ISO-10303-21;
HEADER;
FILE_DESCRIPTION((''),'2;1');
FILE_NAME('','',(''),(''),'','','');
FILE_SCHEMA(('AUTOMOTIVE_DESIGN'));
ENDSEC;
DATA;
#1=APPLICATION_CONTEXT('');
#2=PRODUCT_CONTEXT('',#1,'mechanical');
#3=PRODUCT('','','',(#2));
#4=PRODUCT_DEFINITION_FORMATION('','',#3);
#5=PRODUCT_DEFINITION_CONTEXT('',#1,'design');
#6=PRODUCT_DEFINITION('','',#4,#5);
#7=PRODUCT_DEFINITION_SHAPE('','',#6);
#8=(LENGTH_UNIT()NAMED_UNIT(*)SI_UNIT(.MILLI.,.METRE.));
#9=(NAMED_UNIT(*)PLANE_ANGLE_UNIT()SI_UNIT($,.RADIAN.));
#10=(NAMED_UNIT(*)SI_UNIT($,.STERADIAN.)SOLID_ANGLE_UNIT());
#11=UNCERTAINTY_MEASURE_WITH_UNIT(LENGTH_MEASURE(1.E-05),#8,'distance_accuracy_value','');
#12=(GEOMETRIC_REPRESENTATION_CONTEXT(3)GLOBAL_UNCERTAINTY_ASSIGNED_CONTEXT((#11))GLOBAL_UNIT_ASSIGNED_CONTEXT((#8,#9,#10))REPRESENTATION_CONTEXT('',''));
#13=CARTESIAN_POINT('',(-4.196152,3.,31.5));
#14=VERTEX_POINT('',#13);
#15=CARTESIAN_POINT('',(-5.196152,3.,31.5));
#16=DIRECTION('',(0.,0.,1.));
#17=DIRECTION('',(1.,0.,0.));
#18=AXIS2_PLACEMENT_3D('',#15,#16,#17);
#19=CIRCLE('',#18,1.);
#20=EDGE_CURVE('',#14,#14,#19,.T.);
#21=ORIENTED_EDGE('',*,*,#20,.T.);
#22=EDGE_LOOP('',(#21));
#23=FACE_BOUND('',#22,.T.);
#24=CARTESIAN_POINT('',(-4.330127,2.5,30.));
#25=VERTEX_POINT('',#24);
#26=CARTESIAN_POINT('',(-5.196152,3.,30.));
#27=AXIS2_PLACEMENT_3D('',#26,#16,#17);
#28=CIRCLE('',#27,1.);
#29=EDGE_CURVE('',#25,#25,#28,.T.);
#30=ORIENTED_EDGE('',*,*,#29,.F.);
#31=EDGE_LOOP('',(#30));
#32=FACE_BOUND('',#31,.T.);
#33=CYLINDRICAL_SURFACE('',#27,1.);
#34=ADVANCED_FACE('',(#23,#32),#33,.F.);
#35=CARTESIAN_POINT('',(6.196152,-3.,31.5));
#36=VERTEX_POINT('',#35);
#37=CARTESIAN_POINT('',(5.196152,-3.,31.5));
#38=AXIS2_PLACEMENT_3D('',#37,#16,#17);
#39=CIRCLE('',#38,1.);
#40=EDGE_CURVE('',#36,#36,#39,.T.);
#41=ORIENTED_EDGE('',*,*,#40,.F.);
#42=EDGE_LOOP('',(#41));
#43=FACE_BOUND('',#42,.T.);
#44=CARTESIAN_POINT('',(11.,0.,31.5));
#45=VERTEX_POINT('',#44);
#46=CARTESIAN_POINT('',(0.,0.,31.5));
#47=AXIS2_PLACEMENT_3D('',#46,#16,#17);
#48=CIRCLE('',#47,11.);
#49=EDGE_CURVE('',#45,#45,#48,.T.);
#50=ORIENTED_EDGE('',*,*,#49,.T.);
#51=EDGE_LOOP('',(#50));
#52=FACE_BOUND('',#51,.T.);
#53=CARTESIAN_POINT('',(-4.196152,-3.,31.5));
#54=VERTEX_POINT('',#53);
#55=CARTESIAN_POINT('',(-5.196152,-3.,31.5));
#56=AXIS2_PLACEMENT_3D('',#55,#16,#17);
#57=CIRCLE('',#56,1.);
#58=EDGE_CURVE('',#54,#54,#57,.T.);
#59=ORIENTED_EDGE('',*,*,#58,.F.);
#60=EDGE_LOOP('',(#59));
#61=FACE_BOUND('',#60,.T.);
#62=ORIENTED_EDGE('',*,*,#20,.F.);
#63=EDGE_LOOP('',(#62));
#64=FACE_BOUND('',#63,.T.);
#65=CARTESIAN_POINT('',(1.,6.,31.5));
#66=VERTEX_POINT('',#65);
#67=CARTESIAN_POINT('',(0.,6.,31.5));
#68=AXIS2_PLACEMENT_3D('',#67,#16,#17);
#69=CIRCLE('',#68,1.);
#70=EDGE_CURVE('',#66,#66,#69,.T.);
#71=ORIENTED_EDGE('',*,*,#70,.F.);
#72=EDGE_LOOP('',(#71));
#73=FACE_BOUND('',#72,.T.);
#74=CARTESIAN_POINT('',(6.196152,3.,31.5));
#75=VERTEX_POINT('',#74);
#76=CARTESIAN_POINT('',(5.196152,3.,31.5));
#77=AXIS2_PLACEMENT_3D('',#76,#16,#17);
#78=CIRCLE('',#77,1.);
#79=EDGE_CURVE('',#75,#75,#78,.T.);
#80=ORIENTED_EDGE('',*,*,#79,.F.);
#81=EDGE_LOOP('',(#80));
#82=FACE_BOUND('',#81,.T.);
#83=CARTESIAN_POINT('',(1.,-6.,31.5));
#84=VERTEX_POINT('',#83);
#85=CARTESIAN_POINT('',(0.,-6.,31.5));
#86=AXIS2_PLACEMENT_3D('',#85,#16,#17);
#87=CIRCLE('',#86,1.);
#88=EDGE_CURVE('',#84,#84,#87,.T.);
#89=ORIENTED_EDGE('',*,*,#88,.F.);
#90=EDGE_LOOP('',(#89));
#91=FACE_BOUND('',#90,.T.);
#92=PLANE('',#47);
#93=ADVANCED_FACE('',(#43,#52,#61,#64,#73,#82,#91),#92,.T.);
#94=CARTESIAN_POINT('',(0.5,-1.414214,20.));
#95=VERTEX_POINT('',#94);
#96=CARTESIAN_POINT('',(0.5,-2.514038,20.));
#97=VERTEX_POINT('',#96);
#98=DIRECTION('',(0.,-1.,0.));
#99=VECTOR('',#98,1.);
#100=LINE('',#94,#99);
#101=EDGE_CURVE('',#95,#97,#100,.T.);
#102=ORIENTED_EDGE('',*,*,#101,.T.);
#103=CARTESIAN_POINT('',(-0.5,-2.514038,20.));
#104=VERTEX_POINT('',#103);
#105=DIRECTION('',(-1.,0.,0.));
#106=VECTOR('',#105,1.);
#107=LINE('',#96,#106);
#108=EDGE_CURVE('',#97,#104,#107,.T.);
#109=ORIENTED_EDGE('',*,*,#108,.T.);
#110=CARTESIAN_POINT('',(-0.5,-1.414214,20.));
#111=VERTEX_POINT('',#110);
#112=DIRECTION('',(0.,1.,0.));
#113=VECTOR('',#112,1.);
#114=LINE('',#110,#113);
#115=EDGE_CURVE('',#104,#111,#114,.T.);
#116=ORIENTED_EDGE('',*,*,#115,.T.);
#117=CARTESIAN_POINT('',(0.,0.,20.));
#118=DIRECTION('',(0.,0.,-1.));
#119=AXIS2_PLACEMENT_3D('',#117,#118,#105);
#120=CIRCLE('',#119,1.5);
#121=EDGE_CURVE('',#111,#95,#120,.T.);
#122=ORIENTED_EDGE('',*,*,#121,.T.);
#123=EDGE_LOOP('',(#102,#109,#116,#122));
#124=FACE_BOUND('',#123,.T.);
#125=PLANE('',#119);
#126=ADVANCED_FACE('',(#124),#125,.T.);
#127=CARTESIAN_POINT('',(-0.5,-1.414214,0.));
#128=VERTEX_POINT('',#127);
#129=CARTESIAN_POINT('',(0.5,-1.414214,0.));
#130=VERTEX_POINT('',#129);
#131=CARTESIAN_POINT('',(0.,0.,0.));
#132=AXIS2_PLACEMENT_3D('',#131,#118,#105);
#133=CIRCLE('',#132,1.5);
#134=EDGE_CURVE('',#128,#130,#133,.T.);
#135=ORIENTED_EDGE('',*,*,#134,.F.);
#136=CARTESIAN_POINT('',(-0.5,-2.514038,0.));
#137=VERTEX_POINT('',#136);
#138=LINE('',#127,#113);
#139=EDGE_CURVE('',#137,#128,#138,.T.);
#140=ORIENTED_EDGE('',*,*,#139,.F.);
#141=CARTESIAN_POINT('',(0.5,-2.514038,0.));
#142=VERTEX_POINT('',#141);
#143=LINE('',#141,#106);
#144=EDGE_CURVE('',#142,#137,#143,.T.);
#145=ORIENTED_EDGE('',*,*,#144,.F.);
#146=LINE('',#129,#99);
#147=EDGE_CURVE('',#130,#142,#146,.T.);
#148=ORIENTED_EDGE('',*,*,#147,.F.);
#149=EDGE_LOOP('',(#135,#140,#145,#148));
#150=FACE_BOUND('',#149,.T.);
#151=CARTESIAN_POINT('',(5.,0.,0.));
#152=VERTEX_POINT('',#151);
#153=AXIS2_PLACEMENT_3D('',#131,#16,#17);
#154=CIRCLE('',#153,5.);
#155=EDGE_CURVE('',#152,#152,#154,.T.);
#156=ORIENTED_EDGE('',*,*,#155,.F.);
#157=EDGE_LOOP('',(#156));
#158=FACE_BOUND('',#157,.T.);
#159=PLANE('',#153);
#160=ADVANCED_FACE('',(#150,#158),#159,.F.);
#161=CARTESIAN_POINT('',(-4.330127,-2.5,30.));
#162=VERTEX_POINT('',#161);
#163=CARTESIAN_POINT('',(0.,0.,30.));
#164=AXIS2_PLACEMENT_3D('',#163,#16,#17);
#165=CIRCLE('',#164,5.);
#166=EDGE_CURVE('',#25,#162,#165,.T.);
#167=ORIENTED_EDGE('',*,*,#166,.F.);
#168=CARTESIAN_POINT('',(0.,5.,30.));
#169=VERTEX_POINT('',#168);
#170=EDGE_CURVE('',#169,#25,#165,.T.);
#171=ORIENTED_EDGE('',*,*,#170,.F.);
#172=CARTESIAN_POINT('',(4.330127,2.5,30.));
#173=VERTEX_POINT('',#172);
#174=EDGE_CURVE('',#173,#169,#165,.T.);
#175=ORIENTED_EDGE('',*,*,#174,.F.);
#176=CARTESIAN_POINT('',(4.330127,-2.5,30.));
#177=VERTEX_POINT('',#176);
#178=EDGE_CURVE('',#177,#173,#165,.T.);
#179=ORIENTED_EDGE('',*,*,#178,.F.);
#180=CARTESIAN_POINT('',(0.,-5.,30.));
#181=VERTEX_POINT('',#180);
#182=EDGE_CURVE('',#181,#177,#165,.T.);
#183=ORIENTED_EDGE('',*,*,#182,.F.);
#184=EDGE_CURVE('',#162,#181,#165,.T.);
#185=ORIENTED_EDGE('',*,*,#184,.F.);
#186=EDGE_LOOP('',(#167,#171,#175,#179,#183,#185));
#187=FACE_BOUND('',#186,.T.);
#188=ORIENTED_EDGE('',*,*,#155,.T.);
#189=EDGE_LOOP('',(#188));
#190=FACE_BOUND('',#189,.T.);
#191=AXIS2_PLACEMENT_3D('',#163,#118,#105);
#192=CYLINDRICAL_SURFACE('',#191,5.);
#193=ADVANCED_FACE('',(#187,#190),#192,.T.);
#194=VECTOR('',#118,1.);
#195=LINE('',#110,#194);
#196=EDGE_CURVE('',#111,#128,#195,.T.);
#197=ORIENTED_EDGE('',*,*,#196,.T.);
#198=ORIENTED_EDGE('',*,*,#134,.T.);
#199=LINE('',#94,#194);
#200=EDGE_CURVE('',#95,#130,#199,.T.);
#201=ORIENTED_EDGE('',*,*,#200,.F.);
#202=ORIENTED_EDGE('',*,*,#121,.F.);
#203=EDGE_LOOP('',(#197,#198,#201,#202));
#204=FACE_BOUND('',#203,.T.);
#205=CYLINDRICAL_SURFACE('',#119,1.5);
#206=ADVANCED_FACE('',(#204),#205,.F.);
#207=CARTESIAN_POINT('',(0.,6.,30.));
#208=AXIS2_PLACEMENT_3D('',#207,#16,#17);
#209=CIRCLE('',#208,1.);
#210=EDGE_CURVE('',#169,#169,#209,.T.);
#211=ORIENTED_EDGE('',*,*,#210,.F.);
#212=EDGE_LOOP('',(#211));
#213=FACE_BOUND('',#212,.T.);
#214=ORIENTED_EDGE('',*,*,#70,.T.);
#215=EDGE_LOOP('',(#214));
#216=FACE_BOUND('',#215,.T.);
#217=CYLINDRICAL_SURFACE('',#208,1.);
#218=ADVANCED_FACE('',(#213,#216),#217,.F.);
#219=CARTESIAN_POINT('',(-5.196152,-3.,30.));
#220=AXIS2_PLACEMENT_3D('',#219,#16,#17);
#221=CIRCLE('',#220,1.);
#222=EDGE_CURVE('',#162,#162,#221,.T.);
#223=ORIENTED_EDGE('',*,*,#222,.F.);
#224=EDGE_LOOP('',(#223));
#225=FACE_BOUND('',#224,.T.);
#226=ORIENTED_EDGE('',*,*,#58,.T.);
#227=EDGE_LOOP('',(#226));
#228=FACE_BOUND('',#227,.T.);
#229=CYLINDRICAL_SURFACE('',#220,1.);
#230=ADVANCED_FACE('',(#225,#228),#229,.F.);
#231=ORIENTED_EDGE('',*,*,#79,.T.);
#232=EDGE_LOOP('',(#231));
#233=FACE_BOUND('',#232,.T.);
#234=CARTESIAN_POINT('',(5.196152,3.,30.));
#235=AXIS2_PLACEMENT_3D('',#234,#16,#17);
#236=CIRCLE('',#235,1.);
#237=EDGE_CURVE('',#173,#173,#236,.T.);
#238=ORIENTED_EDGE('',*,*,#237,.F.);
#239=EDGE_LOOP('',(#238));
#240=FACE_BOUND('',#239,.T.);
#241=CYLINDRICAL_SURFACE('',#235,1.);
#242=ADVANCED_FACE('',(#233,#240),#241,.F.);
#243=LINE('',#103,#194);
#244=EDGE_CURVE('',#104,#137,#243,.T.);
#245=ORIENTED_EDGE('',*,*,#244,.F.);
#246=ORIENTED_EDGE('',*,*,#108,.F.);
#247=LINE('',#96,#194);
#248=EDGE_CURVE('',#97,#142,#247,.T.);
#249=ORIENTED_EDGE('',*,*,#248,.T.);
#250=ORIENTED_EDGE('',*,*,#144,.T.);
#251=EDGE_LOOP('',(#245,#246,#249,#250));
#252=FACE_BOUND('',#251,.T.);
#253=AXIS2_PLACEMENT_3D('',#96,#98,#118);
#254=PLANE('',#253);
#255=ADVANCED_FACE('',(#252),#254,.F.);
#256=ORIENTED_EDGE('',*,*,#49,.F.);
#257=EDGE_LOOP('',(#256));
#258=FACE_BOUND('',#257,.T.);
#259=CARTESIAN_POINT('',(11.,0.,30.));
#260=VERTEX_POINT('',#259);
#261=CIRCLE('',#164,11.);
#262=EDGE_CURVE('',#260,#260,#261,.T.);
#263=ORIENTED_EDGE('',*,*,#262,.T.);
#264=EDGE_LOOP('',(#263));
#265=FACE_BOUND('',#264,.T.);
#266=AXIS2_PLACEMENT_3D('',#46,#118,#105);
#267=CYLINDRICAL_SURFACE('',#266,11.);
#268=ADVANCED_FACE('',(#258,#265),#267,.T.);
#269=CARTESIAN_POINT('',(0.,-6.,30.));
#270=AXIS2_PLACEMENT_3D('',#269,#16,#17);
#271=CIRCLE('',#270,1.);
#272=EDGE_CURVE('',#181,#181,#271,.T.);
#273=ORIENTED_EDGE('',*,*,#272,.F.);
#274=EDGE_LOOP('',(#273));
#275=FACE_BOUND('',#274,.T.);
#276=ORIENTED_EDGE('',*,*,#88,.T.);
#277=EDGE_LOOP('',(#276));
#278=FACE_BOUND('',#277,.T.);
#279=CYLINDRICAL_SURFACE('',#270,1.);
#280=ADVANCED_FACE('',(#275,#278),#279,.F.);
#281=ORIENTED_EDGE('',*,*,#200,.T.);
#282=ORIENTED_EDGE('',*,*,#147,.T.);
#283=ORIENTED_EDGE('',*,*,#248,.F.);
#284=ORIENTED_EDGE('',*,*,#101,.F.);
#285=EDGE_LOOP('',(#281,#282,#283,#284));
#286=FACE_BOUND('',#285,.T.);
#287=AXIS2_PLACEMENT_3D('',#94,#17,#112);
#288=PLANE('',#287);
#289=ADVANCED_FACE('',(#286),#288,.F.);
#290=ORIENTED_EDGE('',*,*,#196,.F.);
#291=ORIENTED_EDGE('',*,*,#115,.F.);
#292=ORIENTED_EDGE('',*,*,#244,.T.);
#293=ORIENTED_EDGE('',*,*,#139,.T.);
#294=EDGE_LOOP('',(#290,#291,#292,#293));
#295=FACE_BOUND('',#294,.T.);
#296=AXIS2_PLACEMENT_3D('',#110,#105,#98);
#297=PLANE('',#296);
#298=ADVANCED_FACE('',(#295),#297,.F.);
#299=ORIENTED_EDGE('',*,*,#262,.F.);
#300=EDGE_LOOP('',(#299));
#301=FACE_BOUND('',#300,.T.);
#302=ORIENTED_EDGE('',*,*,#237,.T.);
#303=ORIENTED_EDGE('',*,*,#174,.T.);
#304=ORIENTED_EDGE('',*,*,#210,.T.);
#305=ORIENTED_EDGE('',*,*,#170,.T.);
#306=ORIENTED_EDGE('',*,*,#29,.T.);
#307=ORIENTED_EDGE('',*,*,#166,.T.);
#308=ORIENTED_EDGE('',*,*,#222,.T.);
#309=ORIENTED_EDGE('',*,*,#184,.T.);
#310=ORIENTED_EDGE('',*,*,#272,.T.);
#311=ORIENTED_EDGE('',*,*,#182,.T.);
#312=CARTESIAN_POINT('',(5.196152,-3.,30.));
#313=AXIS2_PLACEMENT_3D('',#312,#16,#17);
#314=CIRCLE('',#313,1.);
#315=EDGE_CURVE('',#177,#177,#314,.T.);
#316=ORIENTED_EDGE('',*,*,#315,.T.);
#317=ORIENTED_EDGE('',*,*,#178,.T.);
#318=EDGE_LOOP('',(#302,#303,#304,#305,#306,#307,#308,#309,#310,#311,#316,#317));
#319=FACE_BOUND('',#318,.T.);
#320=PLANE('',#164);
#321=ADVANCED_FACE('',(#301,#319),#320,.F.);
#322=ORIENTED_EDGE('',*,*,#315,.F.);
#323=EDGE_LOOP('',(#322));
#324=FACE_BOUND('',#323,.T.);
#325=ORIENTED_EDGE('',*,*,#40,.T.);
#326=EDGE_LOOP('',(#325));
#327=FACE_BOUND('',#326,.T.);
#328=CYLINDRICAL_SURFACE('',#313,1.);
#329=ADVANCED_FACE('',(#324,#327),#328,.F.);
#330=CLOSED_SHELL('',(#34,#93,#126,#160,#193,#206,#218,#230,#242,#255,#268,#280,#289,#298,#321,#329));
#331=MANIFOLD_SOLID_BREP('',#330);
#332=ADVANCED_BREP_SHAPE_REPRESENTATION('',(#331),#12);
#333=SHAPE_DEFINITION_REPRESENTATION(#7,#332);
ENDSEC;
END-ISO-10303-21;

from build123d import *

# Parameters (mm, degrees)
SKETCH1_R           = 5
BOSS_EXTRUDE1_DEPTH = 30
CUT_EXTRUDE1_DEPTH  = 20
SKETCH3_R           = 11
BOSS_EXTRUDE2_DEPTH = 1.5
SKETCH4_R           = 1
CUT_EXTRUDE2_DEPTH  = 1.5


with BuildPart() as part:
    # Sketch1 → Boss-Extrude1 (new body)
    with BuildSketch(Plane.XY):
        Circle(SKETCH1_R)
    extrude(amount=BOSS_EXTRUDE1_DEPTH)

    # Sketch2 → Cut-Extrude1 (cut)
    with BuildSketch(Plane(origin=(0, 0, 0), x_dir=(-1, 0, 0), z_dir=(0, 0, -1))):
        with BuildLine():
            Line((-0.5, -1.414213562), (-0.5, -2.514037514))
            Line((-0.5, -2.514037514), (0.5, -2.514037514))
            Line((0.5, -2.514037514), (0.5, -1.414213562))
            ThreePointArc((0.5, -1.414213562), (0, 1.5), (-0.5, -1.414213562))
        make_face()
    extrude(amount=-CUT_EXTRUDE1_DEPTH, mode=Mode.SUBTRACT)

    # Sketch3 → Boss-Extrude2 (add)
    with BuildSketch(Plane.XY.offset(30)):
        Circle(SKETCH3_R)
    extrude(amount=BOSS_EXTRUDE2_DEPTH)

    # Sketch4 → Cut-Extrude2 (cut)
    with BuildSketch(Plane.XY.offset(31.5)):
        with Locations((0, 6)):
            Circle(SKETCH4_R)
        with Locations((5.196152423, 3)):
            Circle(SKETCH4_R)
        with Locations((5.196152423, -3)):
            Circle(SKETCH4_R)
        with Locations((0, -6)):
            Circle(SKETCH4_R)
        with Locations((-5.196152423, -3)):
            Circle(SKETCH4_R)
        with Locations((-5.196152423, 3)):
            Circle(SKETCH4_R)
    extrude(amount=-CUT_EXTRUDE2_DEPTH, mode=Mode.SUBTRACT)


solid = part.part
